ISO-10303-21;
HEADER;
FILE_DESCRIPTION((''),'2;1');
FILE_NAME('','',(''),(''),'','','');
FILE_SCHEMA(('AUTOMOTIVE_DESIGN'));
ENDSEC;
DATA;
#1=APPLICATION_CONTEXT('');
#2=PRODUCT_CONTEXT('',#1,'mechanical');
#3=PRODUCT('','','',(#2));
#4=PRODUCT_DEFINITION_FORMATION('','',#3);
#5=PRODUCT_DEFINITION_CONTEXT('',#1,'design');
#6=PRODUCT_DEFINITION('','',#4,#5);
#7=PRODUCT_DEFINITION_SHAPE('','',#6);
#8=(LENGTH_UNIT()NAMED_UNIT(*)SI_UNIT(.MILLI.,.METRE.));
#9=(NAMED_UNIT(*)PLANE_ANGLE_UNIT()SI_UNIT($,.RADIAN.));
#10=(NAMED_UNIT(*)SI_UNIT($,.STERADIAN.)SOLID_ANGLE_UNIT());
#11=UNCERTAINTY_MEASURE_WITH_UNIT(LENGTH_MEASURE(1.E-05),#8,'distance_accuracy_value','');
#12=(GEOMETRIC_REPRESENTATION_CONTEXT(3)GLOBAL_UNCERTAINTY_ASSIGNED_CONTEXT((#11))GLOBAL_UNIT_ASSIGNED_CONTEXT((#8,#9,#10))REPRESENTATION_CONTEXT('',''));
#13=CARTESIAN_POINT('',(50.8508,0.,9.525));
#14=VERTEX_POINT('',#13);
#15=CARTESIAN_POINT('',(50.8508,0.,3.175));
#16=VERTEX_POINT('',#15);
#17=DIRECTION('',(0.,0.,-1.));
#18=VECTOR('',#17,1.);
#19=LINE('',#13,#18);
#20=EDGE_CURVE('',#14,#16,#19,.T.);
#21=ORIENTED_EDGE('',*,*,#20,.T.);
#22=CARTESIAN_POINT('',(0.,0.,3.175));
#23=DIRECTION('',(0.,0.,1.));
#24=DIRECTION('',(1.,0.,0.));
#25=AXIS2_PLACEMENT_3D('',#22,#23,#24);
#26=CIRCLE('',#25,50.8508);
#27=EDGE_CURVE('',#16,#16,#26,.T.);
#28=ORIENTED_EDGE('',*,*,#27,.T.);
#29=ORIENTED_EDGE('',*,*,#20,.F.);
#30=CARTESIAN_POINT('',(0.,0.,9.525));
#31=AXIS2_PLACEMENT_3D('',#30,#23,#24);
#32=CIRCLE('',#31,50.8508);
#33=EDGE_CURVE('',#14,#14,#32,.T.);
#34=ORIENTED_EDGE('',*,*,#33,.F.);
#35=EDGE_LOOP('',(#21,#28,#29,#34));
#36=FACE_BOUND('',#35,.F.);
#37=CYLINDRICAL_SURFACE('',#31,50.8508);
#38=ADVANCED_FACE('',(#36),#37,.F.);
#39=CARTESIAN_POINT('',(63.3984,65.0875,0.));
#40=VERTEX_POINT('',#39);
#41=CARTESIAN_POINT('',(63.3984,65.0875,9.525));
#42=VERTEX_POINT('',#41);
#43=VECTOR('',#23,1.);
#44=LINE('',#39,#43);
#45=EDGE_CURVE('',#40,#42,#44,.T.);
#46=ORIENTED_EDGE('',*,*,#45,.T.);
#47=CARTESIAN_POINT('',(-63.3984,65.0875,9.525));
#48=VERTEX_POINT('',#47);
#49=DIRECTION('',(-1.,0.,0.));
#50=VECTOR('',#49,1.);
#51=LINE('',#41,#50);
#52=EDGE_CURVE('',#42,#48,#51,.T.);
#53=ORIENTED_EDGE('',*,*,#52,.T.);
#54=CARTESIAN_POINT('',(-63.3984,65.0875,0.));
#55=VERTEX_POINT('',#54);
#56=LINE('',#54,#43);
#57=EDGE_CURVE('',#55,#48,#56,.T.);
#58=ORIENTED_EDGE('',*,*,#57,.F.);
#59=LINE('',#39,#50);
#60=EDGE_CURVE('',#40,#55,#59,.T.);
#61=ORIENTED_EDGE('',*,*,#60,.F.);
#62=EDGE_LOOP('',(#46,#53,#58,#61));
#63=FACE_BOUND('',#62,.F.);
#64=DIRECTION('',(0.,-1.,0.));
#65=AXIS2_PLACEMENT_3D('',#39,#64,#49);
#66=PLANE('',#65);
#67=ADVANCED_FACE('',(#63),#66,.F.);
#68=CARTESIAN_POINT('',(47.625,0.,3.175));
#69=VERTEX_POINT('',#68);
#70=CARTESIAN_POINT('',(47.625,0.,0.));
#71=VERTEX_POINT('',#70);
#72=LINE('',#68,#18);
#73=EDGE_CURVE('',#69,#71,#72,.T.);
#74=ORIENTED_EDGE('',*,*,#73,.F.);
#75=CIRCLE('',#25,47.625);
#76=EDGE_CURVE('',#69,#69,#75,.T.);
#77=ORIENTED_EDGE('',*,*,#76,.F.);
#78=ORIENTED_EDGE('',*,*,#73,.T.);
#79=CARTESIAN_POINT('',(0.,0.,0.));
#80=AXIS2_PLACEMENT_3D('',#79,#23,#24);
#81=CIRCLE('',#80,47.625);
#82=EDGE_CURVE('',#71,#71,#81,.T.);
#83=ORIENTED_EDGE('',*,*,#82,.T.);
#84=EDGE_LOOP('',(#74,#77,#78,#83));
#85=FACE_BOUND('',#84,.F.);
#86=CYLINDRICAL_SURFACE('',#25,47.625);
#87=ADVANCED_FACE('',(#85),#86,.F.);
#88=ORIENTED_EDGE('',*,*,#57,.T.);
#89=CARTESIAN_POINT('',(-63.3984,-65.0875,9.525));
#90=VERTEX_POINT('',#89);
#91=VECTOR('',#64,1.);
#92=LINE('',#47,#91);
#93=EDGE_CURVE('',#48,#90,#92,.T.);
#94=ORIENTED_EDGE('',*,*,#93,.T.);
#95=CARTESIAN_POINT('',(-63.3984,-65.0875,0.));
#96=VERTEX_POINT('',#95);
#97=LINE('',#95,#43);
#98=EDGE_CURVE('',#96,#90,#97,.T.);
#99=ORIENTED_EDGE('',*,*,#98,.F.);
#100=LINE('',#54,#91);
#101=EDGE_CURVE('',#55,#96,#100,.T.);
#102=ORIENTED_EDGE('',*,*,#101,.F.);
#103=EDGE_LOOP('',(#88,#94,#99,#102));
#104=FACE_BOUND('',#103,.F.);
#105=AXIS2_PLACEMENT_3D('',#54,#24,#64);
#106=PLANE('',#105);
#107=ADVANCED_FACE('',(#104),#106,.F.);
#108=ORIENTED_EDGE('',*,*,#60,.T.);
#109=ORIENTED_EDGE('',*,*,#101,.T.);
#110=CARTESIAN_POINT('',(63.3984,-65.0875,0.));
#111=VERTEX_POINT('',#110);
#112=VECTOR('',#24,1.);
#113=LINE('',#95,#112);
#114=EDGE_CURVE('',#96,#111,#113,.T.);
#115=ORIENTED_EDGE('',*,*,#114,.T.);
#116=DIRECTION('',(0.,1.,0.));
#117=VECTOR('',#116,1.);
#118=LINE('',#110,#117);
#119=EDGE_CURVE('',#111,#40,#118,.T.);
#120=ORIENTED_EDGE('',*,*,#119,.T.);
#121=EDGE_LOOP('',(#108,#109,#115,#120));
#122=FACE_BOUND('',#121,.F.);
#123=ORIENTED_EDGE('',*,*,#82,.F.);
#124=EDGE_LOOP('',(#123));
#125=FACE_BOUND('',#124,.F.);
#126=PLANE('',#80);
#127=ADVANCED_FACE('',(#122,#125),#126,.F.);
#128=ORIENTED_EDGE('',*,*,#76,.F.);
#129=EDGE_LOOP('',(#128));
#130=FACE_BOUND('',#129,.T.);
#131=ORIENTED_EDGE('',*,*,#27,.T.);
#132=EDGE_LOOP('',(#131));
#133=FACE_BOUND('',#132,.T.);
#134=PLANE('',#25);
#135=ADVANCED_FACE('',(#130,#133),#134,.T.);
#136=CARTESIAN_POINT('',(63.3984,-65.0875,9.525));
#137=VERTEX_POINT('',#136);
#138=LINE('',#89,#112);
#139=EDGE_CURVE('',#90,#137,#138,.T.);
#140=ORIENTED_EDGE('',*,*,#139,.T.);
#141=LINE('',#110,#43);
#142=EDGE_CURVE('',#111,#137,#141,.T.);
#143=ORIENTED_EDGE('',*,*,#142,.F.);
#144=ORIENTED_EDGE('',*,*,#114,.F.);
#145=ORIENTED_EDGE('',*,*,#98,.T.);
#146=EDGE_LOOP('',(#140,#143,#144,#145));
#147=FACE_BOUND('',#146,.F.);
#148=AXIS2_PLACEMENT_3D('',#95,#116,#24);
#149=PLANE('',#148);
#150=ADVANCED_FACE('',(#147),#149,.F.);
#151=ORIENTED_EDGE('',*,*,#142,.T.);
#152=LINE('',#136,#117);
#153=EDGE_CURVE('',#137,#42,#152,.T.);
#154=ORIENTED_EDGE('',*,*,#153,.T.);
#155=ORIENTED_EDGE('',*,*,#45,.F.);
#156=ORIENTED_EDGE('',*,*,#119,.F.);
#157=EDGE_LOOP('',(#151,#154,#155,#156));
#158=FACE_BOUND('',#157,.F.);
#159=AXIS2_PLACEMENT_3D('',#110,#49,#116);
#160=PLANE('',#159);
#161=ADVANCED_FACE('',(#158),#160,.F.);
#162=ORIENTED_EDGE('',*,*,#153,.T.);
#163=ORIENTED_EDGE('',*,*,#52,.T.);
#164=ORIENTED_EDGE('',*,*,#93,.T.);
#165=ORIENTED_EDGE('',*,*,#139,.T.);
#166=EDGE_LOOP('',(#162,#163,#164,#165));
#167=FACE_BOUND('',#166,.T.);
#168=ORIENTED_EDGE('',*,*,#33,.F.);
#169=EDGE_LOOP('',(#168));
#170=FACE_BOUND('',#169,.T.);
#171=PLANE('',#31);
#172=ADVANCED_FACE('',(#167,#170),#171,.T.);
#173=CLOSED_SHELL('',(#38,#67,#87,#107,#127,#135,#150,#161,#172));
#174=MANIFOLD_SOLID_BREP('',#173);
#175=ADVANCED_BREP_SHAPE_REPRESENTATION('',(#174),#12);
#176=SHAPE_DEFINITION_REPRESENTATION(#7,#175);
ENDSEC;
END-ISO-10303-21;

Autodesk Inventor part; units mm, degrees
ref_plane "YZ Plane" through (0, 0, 0) normal (1, 0, 0) x (0, 1, 0)
ref_plane "XZ Plane" through (0, 0, 0) normal (0, 1, 0) x (-1, 0, 0)
ref_plane "XY Plane" through (0, 0, 0) normal (0, 0, 1) x (1, 0, 0)
sketch "Sketch1" plane through (0, 0, 0) normal (0, 0, 1) x (1, 0, 0)
  line L0 (-63.3984, -65.0875) -> (63.3984, -65.0875)
  line L1 (63.3984, -65.0875) -> (63.3984, 65.0875)
  line L2 (63.3984, 65.0875) -> (-63.3984, 65.0875)
  line L3 (-63.3984, 65.0875) -> (-63.3984, -65.0875)
  line L4 (-63.3984, -65.0875) -> (63.3984, 65.0875) construction
  line L5 (63.3984, -65.0875) -> (-63.3984, 65.0875) construction
  point P0 (0, 0)
  dimension "d0" = 126.7968
  dimension "d1" = 130.175
extrude "Extrusion1" add sketch "Sketch1" along normal blind 9.525
sketch "Sketch2" plane through (0, 0, 9.525) normal (0, 0, 1) x (1, 0, 0)
  circle A0 centre (0, 0) radius 50.8508
  dimension "d4" = 101.7016
extrude "Extrusion2" cut sketch "Sketch2" against normal blind 6.35
sketch "Sketch3" plane through (0, 0, 3.175) normal (0, 0, 1) x (1, 0, 0)
  circle A0 centre (0, 0) radius 47.625
  dimension "d7" = 95.25
extrude "Extrusion3" cut sketch "Sketch3" along normal through all both and the other way through all
equation "\"d0\" = width - 2 * alignmentGrooveClearance"
equation "\"d1\" = height + 2 * alignmentGrooveDepth"
equation "\"d2\" = lensMountThickness"
equation "\"d4\" = lensDiameter + alignmentGrooveClearance"
equation "\"d5\" = lensInsetDepth"
equation "\"d7\" = lensDiameter - lensInsetDepth"
equation "\"d8\" = lensInsetDepth"
equation "\"caseThickness\" = 6.35"
equation "\"alignmentGrooveDepth\" = 1.5875"
equation "\"alignmentGrooveClearance\" = 0.1016"
equation "\"aerogelHolderDepth\" = 38.24501"
equation "\"height\" = 127"
equation "\"width\" = 127"
equation "\"depth\" = 247.57228"
equation "\"mirrorAngle\" = 2.5deg"
equation "\"mirrorThickness\" = 3.175"
equation "\"fresnelThickness\" = 0.254"
equation "\"focalLength\" = 185.82488"
equation "\"ior\" = 1.49"
equation "\"centerThickness\" = 1.27"
equation "\"fresnelAngle\" = 90deg"
equation "\"fresnelEffectiveDiameter\" = 152.4"
equation "\"fresnelGrooveWidth\" = 9.525"
equation "\"frontPanelThickness\" = 1.5875"
equation "\"lensMountThickness\" = 9.525"
equation "\"lensInsetDepth\" = 6.35"
equation "\"lensDiameter\" = 101.6"
equation "\"lensCenterThickness\" = 16.99999"
properties part number "sphericalLensHolder" material "ABS Plastic"
